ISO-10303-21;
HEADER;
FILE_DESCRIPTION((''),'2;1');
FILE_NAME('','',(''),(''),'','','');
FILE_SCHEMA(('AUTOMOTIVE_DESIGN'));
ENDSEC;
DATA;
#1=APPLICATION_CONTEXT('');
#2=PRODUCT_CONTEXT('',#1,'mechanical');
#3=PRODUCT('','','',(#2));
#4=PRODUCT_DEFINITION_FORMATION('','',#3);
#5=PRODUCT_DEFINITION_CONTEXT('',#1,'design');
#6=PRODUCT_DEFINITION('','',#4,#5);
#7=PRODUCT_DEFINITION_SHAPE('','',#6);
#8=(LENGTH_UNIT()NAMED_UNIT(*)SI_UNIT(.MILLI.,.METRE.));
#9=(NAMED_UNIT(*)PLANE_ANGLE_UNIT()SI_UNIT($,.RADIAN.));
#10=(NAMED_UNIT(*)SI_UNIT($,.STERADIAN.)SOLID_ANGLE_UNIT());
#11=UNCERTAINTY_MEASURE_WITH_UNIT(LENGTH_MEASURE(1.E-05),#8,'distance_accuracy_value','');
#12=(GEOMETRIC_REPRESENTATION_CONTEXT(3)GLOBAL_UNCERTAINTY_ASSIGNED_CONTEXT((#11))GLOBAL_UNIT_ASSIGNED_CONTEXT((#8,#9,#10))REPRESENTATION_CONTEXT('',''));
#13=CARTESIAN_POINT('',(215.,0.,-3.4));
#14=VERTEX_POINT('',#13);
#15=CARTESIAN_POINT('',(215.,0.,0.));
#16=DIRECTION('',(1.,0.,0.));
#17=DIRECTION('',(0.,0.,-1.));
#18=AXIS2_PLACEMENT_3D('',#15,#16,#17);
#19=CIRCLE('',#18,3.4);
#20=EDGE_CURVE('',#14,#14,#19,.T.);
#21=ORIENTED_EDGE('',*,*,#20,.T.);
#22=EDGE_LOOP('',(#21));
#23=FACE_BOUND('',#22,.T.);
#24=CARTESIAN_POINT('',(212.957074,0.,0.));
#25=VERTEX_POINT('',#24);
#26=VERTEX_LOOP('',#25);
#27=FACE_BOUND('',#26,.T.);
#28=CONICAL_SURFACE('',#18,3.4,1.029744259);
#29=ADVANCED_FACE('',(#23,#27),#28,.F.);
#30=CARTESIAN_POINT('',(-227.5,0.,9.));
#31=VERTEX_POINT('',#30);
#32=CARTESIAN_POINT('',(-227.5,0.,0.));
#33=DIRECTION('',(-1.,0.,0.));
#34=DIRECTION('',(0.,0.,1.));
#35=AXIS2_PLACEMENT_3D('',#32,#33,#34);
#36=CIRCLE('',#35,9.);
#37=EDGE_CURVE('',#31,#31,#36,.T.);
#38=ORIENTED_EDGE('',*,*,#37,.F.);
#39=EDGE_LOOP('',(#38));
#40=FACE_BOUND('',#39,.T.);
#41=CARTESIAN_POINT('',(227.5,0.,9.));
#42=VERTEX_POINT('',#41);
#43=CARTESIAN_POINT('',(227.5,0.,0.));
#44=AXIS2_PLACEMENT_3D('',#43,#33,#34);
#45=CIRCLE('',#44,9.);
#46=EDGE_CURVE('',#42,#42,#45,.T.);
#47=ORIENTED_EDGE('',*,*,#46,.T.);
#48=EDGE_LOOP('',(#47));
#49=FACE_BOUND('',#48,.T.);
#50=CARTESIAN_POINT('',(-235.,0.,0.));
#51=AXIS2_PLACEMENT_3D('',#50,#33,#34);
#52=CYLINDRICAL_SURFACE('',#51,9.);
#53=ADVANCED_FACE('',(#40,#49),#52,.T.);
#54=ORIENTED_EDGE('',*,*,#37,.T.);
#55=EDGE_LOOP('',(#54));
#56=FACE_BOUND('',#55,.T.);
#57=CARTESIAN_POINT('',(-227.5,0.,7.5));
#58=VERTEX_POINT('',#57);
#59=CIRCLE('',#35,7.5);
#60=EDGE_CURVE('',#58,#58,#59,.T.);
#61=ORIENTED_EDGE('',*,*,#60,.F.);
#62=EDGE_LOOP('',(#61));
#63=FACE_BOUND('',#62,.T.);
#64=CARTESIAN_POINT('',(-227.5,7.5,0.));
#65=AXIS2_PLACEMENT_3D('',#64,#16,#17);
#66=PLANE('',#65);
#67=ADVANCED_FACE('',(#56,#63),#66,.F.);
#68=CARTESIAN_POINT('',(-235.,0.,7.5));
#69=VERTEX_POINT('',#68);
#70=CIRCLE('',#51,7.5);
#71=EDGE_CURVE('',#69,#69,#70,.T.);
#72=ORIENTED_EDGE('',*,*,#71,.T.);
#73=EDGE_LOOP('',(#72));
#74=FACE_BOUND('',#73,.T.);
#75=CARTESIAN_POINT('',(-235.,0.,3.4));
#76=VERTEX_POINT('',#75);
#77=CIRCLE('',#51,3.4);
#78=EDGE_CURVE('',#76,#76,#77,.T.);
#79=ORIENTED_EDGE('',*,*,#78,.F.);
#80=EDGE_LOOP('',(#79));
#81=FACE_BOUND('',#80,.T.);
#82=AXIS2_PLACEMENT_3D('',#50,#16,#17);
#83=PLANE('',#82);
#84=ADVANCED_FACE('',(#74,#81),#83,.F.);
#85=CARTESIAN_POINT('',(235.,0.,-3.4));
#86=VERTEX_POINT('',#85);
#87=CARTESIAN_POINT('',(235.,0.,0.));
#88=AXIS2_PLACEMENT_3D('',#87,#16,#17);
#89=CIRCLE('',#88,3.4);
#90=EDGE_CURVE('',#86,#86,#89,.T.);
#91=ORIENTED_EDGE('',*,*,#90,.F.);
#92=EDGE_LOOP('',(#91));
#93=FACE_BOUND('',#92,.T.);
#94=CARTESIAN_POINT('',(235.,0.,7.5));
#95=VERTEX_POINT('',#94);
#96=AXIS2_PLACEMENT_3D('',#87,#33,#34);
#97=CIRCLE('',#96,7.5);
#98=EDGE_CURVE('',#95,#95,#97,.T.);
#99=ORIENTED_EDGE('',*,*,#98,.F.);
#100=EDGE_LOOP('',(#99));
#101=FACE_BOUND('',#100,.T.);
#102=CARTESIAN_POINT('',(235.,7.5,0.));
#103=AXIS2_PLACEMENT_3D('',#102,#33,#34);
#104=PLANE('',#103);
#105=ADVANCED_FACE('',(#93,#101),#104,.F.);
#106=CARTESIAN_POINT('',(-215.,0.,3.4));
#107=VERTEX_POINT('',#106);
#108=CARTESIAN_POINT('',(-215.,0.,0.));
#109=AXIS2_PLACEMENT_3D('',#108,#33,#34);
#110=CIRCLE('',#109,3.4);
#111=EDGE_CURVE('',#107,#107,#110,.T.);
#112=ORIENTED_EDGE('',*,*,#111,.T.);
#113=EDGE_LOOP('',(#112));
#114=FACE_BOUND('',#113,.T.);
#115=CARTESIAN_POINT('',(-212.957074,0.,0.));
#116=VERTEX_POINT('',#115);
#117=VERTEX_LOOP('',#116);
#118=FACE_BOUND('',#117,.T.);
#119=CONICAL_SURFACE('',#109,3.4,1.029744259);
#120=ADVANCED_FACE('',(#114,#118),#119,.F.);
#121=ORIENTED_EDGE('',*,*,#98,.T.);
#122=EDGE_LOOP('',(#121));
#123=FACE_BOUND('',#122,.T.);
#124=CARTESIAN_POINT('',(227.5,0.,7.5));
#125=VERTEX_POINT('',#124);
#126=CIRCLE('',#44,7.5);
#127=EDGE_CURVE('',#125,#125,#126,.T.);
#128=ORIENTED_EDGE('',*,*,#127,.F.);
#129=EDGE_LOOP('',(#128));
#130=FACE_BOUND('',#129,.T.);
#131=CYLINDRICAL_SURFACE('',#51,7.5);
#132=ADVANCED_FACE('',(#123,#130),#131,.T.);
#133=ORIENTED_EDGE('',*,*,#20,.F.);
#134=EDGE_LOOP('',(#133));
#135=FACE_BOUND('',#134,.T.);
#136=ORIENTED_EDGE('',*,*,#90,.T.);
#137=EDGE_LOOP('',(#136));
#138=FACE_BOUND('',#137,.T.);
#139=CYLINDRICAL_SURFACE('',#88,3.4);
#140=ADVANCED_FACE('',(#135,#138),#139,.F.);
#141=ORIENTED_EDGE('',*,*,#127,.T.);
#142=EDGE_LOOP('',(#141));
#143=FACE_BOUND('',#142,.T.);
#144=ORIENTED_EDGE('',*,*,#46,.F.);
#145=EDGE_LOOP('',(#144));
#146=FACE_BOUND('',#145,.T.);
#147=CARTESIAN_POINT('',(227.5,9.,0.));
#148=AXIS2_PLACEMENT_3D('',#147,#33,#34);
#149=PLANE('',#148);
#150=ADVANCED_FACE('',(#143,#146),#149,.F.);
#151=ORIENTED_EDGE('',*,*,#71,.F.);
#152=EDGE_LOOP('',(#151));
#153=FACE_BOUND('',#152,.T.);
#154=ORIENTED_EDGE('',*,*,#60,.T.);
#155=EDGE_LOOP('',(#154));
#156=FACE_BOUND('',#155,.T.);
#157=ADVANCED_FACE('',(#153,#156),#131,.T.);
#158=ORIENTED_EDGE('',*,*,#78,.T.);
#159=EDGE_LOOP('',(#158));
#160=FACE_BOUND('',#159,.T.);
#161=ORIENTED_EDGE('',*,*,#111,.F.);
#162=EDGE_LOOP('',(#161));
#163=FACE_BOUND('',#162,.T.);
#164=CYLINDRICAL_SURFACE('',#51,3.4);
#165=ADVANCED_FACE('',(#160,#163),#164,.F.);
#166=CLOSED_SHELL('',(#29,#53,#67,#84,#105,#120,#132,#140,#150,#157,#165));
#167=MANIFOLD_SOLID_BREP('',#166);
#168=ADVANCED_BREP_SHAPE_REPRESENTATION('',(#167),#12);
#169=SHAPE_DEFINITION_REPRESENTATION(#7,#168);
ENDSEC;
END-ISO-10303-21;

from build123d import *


with BuildPart() as part:
    # Çizim1 → Döndür1 (revolve)
    with BuildSketch(Plane.XY):
        Polygon((-235, 0), (235, 0), (235, 7.5), (227.5, 7.5), (227.5, 9), (-227.5, 9), (-227.5, 7.5), (-235, 7.5), align=None)
    revolve(axis=Axis((-235, 0, 0), (1, 0, 0)))

    # Çizim3 → M8 Dişli Delik1 (revolve, cut)
    with BuildSketch(Plane(origin=(235, 0, 0), x_dir=(0, 0, -1), z_dir=(0, 1, 0))):
        Polygon((0, 0), (0, 22.042926105), (3.4, 20), (3.4, 0), align=None)
    m8_di_li_delik1 = revolve(axis=Axis((241.35, 0, 0), (-1, 0, 0)), mode=Mode.SUBTRACT)

    # Aynalama1: M8 Dişli Delik1 across plane
    add(m8_di_li_delik1.mirror(Plane(origin=(0, 0, 0), x_dir=(0, 0, 1), z_dir=(1, 0, 0))), mode=Mode.SUBTRACT)


solid = part.part
